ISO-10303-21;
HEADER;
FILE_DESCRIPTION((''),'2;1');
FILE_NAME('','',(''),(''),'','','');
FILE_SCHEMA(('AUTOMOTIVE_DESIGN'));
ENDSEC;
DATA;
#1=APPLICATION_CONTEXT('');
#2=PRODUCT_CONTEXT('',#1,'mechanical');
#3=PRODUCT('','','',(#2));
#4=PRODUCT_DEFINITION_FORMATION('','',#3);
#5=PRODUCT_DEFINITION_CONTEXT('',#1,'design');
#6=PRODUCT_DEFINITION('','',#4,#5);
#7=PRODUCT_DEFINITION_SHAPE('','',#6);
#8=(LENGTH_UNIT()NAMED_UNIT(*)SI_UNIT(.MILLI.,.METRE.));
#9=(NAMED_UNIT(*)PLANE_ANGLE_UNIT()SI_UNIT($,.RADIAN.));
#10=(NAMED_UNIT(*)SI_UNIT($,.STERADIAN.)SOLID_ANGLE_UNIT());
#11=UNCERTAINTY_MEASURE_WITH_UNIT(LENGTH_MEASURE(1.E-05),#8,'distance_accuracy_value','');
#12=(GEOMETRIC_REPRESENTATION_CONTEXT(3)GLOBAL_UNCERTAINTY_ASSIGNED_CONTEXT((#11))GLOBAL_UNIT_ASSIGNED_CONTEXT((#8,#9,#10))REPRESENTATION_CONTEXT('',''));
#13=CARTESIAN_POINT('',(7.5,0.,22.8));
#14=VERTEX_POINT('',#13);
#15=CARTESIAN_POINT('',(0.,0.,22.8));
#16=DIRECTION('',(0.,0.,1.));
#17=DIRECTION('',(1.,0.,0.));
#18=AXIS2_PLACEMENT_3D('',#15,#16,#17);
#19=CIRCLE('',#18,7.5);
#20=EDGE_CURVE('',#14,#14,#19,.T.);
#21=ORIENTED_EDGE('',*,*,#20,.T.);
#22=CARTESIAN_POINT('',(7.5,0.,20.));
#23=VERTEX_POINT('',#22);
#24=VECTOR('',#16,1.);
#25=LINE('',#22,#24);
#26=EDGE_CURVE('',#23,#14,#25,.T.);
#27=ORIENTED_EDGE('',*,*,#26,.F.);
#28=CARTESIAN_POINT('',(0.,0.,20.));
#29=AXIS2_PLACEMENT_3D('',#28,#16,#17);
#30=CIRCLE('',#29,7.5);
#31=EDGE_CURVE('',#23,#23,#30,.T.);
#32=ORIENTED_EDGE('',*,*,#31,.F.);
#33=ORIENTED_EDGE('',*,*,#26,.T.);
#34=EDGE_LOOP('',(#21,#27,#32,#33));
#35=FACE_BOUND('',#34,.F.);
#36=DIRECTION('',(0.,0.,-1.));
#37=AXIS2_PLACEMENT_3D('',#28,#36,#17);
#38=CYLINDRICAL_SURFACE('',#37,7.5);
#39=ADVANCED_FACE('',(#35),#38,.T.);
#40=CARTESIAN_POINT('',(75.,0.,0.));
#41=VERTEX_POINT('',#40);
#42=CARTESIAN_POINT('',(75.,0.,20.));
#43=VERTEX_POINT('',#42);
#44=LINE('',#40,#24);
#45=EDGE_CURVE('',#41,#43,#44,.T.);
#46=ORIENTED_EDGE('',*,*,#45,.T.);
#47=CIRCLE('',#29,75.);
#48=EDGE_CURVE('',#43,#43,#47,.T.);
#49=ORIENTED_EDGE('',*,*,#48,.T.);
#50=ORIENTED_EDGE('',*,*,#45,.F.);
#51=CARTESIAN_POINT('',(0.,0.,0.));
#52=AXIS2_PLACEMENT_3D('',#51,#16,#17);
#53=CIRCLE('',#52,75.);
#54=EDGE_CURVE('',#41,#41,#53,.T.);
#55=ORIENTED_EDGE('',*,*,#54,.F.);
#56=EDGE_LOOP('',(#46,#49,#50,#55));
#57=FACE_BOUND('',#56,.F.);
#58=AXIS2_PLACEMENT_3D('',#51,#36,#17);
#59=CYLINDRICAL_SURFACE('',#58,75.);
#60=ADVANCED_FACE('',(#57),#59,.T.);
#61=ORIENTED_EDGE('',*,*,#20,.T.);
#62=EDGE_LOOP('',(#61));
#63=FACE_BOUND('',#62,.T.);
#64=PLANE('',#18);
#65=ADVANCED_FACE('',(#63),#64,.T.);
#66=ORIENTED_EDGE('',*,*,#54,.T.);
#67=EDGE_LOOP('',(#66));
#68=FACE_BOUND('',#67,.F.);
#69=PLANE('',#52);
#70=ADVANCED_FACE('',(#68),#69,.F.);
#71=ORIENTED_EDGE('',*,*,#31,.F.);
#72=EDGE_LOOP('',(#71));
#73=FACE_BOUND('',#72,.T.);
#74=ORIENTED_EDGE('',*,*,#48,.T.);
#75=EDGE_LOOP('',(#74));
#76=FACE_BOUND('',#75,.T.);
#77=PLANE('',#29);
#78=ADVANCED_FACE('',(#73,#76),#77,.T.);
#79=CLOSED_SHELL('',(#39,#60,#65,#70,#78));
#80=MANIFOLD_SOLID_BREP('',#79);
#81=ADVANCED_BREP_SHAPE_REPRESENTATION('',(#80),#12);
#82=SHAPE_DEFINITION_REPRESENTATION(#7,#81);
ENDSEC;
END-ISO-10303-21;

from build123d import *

# Parameters (mm, degrees)
F0_R      = 75
F1_DEPTH  = 20
F3_R      = 7.5
F4_DEPTH  = 25
F4_FACE_R = 7.5
F5_DEPTH  = 22.2


with BuildPart() as f1:
    # F0 (on Top) → F1 (new body)
    with BuildSketch(Plane.XY):
        Circle(F0_R)
    extrude(amount=F1_DEPTH)

    # F3 (on face) → F4 (join)
    with BuildSketch(Plane.XY.offset(20)):
        Circle(F3_R)
    extrude(amount=F4_DEPTH)

    # F4_face (on face) → F5 (cut)
    with BuildSketch(Plane.XY.offset(45)):
        Circle(F4_FACE_R)
    extrude(amount=-F5_DEPTH, mode=Mode.SUBTRACT)


solid = f1.part
